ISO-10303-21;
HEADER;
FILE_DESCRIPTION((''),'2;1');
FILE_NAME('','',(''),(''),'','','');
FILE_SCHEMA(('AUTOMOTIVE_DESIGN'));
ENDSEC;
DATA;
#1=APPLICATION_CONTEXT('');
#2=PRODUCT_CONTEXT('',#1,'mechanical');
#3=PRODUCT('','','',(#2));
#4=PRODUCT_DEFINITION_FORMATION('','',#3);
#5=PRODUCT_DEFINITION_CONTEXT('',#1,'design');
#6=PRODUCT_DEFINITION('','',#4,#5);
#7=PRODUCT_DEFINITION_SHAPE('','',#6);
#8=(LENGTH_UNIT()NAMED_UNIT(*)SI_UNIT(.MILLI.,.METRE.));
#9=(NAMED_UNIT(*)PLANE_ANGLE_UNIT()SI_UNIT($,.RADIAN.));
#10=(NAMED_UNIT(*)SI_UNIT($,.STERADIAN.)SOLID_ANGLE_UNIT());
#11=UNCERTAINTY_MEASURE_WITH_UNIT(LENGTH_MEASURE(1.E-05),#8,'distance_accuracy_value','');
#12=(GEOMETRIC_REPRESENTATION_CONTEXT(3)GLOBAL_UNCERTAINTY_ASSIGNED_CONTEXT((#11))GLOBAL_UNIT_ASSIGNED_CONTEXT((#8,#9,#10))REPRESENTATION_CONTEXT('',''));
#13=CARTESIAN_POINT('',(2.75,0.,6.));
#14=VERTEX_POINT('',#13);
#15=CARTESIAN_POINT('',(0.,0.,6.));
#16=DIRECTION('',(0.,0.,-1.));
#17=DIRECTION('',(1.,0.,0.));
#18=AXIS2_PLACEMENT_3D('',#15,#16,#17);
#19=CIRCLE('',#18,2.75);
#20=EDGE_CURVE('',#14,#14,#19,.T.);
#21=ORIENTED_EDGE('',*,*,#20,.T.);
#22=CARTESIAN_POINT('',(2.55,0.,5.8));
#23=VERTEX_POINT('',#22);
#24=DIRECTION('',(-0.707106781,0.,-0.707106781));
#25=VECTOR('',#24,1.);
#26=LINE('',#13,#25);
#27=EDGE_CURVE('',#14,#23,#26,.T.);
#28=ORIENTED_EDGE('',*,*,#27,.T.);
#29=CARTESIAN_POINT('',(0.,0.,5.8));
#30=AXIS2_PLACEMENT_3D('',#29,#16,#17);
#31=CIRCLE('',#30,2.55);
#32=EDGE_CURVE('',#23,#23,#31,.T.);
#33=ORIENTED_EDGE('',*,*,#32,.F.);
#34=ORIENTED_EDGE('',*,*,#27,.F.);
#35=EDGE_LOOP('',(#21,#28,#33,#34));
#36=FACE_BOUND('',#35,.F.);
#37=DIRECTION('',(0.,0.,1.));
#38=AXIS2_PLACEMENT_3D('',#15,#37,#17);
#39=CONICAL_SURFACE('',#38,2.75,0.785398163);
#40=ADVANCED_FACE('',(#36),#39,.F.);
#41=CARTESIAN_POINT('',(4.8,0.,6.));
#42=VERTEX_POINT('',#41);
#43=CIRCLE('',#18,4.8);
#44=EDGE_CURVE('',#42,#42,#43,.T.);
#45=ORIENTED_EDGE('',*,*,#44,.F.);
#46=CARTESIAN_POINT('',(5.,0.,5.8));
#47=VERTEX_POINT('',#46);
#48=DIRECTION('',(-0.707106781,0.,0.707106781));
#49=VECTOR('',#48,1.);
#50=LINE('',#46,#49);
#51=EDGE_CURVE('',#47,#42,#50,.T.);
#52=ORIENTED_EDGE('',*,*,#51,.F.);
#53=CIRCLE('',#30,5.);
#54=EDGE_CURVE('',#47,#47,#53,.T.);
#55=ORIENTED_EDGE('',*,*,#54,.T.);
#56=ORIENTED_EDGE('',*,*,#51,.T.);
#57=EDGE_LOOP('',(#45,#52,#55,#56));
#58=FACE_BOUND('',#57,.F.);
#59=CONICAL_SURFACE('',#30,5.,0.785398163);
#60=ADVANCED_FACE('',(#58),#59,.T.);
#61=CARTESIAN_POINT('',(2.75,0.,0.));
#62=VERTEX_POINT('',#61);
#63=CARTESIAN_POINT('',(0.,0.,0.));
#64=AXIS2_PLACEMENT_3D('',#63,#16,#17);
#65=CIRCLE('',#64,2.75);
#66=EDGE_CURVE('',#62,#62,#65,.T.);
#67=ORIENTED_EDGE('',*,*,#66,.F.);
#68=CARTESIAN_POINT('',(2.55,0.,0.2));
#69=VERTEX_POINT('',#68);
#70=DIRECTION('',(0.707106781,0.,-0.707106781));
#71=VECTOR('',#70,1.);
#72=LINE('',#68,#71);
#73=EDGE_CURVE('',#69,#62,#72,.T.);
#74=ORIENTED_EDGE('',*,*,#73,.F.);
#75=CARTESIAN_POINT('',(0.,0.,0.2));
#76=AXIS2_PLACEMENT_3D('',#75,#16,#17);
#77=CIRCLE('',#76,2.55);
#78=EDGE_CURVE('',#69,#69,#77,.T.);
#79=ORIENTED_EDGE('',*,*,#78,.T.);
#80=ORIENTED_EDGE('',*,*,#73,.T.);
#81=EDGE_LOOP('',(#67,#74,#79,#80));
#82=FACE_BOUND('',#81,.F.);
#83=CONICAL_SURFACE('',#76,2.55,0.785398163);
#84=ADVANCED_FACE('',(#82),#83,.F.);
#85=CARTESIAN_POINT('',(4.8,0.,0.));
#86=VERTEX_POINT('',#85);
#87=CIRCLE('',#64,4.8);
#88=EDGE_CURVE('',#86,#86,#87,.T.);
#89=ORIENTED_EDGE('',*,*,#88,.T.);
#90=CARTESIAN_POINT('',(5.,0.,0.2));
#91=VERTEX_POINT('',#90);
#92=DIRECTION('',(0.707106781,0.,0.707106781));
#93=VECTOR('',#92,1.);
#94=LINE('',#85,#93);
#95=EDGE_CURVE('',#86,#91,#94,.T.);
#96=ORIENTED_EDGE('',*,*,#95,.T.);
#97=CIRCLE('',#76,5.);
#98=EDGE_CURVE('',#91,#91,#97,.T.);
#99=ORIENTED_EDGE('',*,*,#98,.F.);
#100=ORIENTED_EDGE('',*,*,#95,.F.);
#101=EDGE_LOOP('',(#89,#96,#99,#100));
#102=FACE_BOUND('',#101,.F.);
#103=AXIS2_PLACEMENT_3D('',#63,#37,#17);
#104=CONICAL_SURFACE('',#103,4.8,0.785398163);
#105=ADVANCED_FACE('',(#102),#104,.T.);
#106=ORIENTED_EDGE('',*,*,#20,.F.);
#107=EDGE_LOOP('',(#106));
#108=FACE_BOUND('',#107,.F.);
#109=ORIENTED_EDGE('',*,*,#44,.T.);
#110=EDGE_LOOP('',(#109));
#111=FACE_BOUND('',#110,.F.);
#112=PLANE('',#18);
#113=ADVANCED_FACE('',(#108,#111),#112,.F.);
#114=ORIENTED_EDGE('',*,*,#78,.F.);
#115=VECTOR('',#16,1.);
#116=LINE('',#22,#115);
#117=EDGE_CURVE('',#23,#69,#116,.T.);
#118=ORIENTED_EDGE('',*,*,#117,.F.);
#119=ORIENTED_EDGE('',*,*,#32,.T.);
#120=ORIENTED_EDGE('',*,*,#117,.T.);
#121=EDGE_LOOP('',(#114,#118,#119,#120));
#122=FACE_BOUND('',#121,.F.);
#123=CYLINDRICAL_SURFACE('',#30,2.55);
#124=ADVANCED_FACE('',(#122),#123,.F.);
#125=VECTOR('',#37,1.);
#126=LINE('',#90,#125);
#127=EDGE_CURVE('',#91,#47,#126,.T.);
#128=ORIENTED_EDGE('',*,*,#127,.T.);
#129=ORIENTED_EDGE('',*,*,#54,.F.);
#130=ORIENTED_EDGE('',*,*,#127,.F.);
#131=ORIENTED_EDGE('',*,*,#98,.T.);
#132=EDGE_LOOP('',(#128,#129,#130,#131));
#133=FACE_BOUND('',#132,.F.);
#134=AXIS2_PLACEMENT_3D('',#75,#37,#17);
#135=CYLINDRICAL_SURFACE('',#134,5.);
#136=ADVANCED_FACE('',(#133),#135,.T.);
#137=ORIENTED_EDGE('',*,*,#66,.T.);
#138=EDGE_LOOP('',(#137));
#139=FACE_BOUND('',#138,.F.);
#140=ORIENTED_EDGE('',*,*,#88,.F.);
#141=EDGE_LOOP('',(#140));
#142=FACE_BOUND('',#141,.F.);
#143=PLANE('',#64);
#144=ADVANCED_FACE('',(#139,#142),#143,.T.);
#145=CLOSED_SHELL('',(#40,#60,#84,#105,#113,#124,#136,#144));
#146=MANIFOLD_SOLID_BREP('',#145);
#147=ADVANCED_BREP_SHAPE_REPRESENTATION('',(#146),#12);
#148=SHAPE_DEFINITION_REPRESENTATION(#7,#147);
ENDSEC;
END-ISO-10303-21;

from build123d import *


with BuildPart() as part:
    # Sketch1 → Revolve1 (revolve)
    with BuildSketch(Plane.XZ):
        Polygon((2.75, 6), (2.55, 5.8), (2.55, 0.2), (2.75, 0), (4.8, 0), (5, 0.2), (5, 5.8), (4.8, 6), align=None)
    revolve(axis=Axis((0, 0, 6), (0, 0, -1)))


solid = part.part
